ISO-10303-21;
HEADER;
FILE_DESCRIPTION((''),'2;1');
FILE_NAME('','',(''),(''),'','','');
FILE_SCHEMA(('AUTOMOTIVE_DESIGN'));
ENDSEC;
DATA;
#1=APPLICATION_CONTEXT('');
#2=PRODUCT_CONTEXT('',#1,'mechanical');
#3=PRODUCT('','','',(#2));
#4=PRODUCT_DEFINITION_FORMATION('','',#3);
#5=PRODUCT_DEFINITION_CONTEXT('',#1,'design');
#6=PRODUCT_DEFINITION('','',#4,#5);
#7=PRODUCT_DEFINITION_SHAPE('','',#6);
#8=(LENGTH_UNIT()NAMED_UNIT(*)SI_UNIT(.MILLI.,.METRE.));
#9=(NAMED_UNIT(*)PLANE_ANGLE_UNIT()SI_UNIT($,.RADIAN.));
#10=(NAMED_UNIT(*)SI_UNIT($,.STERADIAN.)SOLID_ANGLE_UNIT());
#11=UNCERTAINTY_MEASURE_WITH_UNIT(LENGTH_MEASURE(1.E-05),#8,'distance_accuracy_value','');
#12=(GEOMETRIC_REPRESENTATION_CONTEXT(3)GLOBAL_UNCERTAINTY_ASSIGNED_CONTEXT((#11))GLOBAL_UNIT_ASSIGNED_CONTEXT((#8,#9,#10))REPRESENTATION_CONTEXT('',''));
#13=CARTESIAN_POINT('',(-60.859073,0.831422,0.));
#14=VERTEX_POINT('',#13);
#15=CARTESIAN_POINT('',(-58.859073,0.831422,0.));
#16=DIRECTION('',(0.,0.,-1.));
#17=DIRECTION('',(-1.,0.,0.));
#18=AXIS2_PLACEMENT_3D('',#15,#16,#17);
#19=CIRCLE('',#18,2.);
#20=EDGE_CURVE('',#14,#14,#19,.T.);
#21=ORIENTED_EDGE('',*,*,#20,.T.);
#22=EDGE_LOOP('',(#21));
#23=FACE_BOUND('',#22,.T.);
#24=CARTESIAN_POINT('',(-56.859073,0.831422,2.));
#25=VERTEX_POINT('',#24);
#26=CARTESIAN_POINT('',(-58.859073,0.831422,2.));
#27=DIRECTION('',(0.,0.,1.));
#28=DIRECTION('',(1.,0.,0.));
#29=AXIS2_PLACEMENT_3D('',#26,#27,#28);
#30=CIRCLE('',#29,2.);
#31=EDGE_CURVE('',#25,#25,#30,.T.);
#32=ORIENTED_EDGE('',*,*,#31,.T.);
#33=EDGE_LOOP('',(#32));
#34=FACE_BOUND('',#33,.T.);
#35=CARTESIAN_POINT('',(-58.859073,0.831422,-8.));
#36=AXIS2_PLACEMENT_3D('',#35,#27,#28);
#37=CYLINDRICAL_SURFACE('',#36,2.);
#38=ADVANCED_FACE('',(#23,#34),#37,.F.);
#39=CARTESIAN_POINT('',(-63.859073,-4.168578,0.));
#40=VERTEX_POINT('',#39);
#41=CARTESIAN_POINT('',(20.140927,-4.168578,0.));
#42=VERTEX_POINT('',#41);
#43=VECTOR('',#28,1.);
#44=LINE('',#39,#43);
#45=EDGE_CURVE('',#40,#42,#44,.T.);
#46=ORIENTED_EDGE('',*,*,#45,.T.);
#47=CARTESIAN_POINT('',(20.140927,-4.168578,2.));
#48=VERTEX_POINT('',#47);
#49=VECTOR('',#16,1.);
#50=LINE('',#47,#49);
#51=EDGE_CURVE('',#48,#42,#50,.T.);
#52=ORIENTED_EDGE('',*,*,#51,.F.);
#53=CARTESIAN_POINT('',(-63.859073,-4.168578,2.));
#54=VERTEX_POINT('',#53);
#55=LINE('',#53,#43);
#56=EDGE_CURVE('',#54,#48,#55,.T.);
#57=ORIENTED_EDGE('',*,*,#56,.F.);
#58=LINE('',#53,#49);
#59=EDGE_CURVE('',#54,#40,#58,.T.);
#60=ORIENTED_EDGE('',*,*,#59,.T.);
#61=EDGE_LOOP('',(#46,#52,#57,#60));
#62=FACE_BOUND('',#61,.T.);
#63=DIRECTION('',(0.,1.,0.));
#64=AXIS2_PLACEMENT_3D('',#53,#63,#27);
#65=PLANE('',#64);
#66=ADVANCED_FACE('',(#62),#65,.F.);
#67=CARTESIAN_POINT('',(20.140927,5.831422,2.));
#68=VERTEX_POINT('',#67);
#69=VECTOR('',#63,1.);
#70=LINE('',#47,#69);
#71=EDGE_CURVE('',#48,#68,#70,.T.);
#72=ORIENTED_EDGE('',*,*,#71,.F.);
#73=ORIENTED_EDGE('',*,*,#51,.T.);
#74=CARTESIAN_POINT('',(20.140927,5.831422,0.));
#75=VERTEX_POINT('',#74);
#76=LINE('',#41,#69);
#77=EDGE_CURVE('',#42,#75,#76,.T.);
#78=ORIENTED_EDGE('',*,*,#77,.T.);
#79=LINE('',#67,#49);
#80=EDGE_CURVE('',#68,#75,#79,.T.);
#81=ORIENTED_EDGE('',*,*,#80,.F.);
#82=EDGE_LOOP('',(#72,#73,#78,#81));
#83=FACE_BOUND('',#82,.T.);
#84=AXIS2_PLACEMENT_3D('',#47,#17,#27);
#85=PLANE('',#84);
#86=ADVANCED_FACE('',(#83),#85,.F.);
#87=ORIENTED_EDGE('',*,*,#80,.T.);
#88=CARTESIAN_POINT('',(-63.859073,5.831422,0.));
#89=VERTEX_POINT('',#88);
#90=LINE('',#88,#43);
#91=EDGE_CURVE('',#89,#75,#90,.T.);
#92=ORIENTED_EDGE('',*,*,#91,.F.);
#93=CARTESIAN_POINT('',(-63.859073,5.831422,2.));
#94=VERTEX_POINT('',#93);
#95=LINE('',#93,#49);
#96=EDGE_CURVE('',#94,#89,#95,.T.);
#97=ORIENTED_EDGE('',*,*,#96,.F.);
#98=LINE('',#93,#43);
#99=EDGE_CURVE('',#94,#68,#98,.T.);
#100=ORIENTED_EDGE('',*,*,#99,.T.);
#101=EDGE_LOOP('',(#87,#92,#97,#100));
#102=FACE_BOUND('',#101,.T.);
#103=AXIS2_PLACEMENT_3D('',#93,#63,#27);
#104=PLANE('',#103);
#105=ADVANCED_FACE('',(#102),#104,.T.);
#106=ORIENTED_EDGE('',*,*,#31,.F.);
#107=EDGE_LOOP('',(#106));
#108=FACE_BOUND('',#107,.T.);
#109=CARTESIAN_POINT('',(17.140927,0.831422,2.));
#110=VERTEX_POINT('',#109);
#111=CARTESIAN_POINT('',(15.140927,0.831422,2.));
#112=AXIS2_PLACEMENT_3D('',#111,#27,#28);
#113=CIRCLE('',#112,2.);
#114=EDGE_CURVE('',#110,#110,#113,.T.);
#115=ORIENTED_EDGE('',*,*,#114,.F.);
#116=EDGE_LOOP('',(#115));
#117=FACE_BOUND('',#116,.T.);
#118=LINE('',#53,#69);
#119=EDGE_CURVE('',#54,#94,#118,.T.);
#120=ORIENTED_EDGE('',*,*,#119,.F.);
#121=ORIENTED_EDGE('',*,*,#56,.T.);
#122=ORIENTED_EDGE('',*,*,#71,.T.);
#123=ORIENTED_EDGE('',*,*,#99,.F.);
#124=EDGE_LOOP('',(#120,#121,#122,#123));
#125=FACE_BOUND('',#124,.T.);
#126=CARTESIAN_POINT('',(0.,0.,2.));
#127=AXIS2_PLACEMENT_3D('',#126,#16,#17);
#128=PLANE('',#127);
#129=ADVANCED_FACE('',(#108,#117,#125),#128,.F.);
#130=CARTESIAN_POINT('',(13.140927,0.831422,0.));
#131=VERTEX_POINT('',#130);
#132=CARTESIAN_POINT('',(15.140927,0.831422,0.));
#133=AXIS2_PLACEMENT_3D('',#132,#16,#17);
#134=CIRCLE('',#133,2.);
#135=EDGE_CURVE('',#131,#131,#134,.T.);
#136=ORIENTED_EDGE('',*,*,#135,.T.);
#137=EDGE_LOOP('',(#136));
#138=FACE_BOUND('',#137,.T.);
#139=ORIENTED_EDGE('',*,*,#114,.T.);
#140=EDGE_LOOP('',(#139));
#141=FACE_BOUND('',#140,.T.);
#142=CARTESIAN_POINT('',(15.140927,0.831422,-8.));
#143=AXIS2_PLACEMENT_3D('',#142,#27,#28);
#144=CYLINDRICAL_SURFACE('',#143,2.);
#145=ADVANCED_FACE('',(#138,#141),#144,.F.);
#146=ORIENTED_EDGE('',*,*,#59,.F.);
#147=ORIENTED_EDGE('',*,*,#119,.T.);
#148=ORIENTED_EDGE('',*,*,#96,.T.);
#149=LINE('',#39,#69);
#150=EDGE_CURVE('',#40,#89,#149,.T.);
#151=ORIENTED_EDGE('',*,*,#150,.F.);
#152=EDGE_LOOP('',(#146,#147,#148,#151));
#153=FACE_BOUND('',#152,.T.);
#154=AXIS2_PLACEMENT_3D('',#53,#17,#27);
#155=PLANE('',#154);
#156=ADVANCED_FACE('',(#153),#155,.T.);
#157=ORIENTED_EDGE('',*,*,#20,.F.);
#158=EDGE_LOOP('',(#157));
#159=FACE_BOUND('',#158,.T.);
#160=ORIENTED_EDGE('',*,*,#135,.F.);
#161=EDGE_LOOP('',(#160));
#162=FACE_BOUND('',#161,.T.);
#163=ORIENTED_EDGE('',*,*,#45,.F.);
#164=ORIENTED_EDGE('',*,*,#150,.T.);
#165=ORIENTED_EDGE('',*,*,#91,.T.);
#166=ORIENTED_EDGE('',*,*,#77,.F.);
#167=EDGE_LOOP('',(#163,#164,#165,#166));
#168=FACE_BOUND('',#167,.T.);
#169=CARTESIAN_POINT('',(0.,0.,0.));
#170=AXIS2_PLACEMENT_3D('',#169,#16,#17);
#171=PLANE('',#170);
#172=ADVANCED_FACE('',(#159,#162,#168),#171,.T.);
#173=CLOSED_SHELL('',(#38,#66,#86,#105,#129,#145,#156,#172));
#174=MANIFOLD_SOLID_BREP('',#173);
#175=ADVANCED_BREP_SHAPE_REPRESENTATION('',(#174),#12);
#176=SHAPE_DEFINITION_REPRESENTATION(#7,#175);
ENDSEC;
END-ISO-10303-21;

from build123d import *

# Parameters (mm, degrees)
SKETCH1_W           = 84
SKETCH1_H           = 10
BOSS_EXTRUDE1_DEPTH = 2
SKETCH2_R           = 2
CUT_EXTRUDE1_DEPTH  = 10


with BuildPart() as part:
    # Sketch1 → Boss-Extrude1 (new body)
    with BuildSketch(Plane.XY):
        with Locations((-21.859072777, 0.831421638)):
            Rectangle(SKETCH1_W, SKETCH1_H)
    extrude(amount=BOSS_EXTRUDE1_DEPTH)

    # Sketch2 → Cut-Extrude1 (cut)
    with BuildSketch(Plane.XY.offset(2)):
        with Locations((-58.859072777, 0.831421638)):
            Circle(SKETCH2_R)
        with Locations((15.140927223, 0.831421638)):
            Circle(SKETCH2_R)
    extrude(amount=-CUT_EXTRUDE1_DEPTH, mode=Mode.SUBTRACT)


solid = part.part
